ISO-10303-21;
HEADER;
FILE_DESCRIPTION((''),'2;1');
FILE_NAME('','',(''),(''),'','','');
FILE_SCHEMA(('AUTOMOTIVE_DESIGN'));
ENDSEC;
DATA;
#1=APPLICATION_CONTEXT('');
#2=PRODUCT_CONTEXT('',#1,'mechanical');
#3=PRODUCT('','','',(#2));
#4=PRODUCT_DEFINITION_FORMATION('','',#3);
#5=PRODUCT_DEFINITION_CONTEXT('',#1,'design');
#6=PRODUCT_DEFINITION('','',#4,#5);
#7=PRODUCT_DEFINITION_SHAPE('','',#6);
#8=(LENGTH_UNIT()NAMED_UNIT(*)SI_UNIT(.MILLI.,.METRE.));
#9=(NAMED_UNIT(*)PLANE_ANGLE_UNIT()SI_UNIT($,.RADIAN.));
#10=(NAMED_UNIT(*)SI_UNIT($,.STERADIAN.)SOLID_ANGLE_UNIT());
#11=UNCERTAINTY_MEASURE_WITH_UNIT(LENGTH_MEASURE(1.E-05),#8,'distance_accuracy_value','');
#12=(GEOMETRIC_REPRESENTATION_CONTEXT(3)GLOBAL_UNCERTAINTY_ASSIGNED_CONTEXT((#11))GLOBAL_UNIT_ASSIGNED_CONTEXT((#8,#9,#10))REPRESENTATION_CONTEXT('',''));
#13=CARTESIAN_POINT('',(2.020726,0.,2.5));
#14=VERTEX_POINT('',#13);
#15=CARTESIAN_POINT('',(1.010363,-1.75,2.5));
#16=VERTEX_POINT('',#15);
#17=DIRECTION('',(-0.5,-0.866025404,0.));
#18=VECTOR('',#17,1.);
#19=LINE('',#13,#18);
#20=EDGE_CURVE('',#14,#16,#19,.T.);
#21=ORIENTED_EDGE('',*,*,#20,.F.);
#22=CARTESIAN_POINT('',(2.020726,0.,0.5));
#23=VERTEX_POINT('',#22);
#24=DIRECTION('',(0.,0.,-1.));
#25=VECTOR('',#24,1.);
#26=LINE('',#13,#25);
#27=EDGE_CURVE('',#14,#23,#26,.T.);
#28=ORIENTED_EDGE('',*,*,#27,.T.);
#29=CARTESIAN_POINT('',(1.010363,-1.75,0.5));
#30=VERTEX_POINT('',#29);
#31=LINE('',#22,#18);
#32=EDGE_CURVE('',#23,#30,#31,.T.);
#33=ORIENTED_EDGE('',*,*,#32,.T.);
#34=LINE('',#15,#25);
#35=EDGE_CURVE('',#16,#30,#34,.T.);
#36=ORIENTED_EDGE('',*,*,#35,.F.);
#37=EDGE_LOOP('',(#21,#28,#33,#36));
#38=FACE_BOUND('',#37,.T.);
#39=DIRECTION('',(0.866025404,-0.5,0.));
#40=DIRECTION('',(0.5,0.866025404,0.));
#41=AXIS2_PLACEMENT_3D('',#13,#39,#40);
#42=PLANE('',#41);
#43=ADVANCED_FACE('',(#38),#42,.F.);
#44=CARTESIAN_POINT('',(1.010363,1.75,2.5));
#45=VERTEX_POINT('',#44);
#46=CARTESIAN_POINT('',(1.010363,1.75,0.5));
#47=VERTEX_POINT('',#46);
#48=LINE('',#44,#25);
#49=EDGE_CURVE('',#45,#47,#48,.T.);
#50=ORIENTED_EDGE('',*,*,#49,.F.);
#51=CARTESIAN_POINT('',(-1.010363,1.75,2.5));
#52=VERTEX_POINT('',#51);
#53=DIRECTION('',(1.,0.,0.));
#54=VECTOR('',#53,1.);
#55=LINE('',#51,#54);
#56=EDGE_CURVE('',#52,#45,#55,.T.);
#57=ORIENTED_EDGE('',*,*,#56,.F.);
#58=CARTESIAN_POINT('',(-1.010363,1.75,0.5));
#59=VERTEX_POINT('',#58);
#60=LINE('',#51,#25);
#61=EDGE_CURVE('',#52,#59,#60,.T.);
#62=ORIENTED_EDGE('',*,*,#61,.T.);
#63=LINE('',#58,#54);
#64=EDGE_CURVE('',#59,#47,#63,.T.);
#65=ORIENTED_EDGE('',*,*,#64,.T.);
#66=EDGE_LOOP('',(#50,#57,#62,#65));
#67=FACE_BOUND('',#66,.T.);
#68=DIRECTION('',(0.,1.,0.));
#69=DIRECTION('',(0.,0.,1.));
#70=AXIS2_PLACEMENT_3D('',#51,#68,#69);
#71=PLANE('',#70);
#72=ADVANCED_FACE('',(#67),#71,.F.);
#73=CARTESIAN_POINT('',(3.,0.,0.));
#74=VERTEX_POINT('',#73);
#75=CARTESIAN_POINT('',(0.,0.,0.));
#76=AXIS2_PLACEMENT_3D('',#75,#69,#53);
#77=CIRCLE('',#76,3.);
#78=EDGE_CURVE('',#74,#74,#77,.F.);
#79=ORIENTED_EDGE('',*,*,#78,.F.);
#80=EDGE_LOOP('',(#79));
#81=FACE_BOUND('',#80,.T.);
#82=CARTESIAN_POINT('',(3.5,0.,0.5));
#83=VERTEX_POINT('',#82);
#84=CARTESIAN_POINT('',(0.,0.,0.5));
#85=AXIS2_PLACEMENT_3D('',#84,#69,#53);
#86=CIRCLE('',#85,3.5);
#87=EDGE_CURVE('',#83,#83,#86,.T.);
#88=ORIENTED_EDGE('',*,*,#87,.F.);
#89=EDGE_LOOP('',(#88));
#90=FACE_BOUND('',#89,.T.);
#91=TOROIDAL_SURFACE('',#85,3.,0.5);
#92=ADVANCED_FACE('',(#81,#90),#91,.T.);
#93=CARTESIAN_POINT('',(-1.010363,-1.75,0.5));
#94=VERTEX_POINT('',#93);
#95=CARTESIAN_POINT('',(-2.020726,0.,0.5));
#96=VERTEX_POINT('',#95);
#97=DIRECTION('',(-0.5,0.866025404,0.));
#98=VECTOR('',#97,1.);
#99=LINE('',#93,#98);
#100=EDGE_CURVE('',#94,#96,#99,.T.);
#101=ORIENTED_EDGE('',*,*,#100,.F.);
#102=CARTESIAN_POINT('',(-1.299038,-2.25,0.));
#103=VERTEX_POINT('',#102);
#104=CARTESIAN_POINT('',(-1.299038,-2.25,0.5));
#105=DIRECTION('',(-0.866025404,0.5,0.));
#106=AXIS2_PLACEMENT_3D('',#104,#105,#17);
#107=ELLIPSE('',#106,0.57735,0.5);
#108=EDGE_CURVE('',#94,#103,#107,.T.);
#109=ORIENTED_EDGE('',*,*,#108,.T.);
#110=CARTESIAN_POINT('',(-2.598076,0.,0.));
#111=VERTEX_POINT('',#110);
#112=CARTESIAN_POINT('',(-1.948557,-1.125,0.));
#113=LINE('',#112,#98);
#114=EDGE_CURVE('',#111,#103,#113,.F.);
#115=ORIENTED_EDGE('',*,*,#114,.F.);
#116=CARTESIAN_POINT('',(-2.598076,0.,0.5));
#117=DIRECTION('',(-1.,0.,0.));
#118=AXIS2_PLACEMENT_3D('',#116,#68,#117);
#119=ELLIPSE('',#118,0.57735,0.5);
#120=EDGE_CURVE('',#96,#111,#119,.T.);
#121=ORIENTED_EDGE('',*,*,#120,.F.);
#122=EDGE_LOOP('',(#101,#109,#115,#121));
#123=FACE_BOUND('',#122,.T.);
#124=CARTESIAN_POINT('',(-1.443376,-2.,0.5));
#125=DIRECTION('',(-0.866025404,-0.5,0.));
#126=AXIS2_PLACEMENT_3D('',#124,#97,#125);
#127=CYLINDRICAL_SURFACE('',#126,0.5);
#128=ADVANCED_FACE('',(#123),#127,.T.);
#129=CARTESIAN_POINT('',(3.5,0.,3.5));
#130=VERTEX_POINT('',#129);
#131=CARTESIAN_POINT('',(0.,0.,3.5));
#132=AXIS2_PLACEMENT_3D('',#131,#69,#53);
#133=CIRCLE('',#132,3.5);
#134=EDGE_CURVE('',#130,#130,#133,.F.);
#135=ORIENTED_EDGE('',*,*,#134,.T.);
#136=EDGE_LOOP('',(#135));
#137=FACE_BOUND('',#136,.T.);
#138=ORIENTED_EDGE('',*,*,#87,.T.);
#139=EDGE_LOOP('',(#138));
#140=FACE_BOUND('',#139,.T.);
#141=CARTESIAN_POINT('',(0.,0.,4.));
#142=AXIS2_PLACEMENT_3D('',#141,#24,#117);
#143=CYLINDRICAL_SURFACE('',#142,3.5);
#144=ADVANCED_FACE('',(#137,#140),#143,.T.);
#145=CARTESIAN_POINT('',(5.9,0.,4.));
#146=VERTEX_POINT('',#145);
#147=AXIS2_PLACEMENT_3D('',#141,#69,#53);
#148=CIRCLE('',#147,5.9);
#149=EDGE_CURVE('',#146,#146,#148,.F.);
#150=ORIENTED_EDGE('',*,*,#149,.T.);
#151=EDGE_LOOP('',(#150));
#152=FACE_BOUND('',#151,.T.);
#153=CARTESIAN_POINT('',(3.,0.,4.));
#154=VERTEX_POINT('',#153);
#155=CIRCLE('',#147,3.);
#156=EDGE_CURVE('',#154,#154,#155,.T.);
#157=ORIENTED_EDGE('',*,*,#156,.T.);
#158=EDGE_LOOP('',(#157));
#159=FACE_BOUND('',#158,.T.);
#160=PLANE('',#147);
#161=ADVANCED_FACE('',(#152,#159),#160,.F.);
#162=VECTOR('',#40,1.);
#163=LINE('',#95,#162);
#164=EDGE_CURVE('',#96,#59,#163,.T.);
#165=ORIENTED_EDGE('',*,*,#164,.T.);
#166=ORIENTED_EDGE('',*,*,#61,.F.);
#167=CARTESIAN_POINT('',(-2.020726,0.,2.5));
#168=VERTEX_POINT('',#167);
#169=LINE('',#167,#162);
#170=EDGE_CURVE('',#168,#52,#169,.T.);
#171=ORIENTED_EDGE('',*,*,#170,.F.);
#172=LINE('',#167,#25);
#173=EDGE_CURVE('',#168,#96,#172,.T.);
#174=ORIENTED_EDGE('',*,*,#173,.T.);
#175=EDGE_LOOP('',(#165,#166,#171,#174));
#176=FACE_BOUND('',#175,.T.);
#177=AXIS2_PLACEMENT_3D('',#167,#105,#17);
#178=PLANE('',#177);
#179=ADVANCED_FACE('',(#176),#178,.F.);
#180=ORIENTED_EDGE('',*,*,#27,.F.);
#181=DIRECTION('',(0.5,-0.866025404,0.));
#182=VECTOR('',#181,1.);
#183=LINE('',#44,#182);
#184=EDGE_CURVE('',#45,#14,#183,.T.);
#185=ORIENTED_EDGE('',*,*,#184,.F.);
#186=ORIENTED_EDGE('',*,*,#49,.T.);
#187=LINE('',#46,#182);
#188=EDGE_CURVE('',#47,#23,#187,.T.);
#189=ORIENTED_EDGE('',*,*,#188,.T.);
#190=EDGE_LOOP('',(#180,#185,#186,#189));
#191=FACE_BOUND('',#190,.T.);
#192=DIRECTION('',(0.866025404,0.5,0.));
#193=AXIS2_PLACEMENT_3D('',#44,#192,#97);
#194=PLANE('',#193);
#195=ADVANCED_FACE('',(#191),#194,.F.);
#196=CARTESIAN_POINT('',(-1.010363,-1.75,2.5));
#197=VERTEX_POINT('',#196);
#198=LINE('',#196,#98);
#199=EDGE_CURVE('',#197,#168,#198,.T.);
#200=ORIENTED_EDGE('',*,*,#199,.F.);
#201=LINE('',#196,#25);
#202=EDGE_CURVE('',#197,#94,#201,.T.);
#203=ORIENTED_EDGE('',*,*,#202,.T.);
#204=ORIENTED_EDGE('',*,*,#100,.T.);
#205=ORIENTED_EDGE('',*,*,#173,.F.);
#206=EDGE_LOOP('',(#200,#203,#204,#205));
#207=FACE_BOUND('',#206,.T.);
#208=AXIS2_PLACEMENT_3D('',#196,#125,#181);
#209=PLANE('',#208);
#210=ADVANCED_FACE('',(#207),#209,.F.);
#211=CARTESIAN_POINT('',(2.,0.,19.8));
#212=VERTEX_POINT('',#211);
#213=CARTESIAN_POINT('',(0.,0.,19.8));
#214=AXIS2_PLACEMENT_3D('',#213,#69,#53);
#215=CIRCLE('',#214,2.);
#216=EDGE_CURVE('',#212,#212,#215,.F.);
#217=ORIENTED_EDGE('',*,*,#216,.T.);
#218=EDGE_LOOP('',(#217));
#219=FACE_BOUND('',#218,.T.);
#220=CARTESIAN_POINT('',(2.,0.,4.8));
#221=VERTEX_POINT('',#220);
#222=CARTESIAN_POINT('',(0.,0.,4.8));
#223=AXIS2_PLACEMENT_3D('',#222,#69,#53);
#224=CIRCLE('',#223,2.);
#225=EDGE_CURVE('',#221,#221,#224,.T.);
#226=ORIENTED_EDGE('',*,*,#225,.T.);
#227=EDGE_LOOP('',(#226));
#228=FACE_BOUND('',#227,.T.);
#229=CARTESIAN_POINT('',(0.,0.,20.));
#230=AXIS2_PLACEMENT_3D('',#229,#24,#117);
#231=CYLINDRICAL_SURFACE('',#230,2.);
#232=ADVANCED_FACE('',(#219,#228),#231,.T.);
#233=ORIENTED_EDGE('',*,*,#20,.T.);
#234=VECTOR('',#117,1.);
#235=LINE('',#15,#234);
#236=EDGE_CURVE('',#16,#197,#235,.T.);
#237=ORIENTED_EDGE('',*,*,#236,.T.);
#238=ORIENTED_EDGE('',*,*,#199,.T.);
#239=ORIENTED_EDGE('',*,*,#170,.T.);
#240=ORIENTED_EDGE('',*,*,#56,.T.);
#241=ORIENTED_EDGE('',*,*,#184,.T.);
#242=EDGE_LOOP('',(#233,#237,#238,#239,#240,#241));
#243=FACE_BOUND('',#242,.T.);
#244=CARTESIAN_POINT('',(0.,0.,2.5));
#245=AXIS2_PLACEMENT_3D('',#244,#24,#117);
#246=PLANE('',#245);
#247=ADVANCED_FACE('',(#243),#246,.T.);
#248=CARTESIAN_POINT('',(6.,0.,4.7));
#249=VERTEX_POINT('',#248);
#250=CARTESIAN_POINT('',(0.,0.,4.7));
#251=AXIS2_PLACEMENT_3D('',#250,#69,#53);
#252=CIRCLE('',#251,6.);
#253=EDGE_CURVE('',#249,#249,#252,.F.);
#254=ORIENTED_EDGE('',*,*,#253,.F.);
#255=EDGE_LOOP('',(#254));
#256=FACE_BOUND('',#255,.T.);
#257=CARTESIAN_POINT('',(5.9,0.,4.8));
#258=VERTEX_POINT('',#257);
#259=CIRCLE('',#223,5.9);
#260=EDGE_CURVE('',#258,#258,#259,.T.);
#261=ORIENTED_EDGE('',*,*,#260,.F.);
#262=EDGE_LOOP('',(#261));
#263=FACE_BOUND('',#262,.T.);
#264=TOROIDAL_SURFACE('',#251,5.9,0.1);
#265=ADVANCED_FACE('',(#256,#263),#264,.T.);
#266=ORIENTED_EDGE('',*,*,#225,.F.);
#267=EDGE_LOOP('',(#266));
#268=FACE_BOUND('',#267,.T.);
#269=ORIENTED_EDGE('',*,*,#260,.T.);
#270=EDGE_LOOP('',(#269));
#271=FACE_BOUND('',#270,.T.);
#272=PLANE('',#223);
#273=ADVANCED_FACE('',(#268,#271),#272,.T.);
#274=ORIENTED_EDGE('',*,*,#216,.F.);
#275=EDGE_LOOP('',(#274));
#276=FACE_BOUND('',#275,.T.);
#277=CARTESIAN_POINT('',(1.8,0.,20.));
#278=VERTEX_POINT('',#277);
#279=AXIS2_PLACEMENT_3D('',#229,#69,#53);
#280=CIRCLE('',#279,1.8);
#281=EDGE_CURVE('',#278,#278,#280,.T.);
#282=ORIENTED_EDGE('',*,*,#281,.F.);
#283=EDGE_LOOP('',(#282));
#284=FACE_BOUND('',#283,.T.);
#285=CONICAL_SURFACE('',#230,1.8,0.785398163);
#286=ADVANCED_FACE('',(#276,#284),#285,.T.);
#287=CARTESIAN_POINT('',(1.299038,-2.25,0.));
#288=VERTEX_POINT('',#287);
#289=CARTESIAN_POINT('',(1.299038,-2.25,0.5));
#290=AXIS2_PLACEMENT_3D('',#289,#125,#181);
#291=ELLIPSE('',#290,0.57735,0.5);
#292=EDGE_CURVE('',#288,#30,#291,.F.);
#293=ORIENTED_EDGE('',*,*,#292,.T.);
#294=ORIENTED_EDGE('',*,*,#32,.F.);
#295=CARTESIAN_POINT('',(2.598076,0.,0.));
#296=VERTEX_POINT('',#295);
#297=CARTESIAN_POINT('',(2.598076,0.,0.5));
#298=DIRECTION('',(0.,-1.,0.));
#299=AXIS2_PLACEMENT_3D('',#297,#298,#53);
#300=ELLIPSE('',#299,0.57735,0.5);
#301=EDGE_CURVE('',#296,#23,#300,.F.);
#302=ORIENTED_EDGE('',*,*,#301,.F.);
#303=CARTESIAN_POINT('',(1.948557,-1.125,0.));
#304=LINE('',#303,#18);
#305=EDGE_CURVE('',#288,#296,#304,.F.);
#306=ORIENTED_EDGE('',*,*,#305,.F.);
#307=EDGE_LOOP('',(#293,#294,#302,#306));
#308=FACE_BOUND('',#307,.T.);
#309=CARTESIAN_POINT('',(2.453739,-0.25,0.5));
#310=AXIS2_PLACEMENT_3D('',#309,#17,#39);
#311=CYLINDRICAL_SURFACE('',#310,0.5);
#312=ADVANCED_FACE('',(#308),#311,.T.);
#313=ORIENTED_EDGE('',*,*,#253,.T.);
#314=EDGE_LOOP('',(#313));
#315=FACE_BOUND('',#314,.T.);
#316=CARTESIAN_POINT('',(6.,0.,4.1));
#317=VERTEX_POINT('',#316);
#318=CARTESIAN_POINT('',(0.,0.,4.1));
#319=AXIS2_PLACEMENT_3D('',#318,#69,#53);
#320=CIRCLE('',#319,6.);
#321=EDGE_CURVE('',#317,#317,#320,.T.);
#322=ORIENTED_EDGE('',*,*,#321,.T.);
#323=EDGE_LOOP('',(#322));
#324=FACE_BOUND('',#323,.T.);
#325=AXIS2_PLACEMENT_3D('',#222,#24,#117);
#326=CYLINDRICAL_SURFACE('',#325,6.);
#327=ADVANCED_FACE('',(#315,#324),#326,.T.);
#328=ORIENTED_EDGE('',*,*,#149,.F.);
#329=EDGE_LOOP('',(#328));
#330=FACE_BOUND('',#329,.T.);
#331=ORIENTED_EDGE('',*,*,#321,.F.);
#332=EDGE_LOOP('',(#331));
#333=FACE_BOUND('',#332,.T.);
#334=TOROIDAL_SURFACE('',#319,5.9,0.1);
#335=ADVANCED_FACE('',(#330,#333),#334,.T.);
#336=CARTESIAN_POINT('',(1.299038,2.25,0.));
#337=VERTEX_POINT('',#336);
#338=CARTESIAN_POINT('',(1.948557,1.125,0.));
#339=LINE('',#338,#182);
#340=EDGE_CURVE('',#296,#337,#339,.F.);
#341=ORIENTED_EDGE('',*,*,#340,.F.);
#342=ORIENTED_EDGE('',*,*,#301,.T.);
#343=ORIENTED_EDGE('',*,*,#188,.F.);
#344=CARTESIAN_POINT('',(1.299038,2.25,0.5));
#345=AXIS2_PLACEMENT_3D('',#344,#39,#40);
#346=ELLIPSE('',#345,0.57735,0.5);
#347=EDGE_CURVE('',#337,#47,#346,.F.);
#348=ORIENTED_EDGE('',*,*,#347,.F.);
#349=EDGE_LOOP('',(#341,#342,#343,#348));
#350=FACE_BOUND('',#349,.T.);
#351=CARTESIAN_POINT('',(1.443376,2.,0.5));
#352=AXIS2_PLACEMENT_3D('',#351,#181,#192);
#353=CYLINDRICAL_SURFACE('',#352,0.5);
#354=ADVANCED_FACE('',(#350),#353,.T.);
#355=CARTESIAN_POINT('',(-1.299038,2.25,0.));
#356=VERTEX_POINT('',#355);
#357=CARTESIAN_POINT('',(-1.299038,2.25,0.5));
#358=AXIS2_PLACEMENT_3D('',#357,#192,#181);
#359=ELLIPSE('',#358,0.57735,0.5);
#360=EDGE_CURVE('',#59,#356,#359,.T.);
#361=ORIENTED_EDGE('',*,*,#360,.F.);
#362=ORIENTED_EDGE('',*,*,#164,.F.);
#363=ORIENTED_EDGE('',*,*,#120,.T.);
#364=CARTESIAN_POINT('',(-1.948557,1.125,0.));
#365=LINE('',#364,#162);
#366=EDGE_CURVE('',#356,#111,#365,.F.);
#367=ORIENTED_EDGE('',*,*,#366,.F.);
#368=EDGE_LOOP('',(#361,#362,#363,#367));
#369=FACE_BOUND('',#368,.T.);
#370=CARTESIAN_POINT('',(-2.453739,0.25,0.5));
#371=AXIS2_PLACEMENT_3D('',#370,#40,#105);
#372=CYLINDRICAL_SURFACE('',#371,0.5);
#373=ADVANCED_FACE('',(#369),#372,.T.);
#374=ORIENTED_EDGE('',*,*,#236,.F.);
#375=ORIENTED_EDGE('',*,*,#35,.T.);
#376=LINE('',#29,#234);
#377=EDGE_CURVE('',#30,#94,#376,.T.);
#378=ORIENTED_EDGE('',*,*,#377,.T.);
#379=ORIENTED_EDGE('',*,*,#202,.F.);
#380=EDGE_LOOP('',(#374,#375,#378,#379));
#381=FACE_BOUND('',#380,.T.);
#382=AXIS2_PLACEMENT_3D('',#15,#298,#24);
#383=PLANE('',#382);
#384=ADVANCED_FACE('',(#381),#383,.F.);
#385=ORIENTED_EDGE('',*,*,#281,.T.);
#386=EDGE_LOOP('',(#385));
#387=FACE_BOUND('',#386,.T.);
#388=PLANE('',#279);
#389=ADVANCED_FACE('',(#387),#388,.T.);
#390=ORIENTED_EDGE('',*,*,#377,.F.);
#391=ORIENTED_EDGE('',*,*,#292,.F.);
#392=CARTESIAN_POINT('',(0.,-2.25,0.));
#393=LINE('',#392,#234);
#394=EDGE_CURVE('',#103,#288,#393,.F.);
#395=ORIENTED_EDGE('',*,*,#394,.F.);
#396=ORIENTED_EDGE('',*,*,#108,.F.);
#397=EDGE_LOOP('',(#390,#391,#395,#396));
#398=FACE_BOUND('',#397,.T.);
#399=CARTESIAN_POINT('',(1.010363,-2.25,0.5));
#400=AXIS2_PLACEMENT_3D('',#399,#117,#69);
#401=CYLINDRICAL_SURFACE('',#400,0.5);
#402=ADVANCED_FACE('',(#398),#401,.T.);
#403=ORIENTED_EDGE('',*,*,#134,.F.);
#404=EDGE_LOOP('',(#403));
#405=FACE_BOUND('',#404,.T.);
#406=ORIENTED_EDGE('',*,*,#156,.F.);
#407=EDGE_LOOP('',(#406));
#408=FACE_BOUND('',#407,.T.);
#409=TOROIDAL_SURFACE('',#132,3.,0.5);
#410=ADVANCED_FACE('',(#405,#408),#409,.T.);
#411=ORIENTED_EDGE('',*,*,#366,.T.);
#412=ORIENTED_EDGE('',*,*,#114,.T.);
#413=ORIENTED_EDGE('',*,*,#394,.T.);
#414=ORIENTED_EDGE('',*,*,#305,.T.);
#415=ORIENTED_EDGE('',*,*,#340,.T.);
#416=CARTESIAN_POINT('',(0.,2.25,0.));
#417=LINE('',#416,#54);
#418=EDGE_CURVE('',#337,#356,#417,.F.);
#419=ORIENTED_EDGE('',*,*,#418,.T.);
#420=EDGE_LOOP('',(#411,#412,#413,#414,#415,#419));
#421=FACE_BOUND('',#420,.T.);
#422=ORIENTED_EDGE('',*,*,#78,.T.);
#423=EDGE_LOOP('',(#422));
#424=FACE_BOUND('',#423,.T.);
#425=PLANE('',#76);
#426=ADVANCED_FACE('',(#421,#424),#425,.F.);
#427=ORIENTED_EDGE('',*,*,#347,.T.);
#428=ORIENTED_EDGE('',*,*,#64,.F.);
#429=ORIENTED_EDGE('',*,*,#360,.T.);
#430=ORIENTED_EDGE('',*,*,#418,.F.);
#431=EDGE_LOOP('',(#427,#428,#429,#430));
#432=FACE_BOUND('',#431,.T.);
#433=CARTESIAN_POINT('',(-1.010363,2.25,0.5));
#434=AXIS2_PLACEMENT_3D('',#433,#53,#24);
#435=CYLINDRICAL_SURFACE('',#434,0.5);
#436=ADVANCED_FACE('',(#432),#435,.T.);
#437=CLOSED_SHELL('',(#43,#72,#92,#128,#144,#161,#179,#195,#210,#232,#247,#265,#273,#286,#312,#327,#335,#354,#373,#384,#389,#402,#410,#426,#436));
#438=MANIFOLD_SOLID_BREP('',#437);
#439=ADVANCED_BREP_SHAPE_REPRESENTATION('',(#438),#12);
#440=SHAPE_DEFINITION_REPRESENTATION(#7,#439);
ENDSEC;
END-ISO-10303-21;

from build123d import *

# Parameters (mm, degrees)
SKETCH1_R           = 3.5
BOSS_EXTRUDE1_DEPTH = 4
SKETCH2_R           = 2
BOSS_EXTRUDE2_DEPTH = 16
CUT_EXTRUDE1_DEPTH  = 2.5
FILLET1_R           = 0.5
CHAMFER1_SIZE       = 0.2
SKETCH4_R           = 6
BOSS_EXTRUDE3_DEPTH = 0.8
FILLET2_R           = 0.1


with BuildPart() as part:
    # Sketch1 → Boss-Extrude1 (new body)
    with BuildSketch(Plane.XY):
        Circle(SKETCH1_R)
    extrude(amount=BOSS_EXTRUDE1_DEPTH)

    # Sketch2 → Boss-Extrude2 (add)
    with BuildSketch(Plane.XY.offset(4)):
        Circle(SKETCH2_R)
    extrude(amount=BOSS_EXTRUDE2_DEPTH)

    # Sketch3 → Cut-Extrude1 (cut)
    with BuildSketch(Plane(origin=(0, 0, 0), x_dir=(-1, 0, 0), z_dir=(0, 0, -1))):
        Polygon((2.020725942, 0), (1.010362971, 1.75), (-1.010362971, 1.75), (-2.020725942, 0), (-1.010362971, -1.75), (1.010362971, -1.75), align=None)
    extrude(amount=-CUT_EXTRUDE1_DEPTH, mode=Mode.SUBTRACT)

    # Fillet1
    fillet1_edges = [part.edges().sort_by_distance(p)[0] for p in [
        (-1.515544457, -0.875, 0),
        (-1.515544457, 0.875, 0),
        (0, 1.75, 0),
        (1.515544457, 0.875, 0),
        (1.515544457, -0.875, 0),
        (0, -1.75, 0),
        (-3.5, 0, 0),
        (-3.5, 0, 4),
        (-2, 0, 4),
    ]]
    fillet(fillet1_edges, radius=FILLET1_R)

    # Chamfer1
    chamfer1_edges = [part.edges().sort_by_distance(p)[0] for p in [
        (-2, 0, 20),
    ]]
    chamfer(chamfer1_edges, length=CHAMFER1_SIZE)

    # Sketch4 → Boss-Extrude3 (add)
    with BuildSketch(Plane.XY.offset(4)):
        Circle(SKETCH4_R)
    extrude(amount=BOSS_EXTRUDE3_DEPTH)

    # Fillet2
    fillet2_edges = [part.edges().sort_by_distance(p)[0] for p in [
        (-6, 0, 4),
        (-6, 0, 4.8),
    ]]
    fillet(fillet2_edges, radius=FILLET2_R)


solid = part.part
